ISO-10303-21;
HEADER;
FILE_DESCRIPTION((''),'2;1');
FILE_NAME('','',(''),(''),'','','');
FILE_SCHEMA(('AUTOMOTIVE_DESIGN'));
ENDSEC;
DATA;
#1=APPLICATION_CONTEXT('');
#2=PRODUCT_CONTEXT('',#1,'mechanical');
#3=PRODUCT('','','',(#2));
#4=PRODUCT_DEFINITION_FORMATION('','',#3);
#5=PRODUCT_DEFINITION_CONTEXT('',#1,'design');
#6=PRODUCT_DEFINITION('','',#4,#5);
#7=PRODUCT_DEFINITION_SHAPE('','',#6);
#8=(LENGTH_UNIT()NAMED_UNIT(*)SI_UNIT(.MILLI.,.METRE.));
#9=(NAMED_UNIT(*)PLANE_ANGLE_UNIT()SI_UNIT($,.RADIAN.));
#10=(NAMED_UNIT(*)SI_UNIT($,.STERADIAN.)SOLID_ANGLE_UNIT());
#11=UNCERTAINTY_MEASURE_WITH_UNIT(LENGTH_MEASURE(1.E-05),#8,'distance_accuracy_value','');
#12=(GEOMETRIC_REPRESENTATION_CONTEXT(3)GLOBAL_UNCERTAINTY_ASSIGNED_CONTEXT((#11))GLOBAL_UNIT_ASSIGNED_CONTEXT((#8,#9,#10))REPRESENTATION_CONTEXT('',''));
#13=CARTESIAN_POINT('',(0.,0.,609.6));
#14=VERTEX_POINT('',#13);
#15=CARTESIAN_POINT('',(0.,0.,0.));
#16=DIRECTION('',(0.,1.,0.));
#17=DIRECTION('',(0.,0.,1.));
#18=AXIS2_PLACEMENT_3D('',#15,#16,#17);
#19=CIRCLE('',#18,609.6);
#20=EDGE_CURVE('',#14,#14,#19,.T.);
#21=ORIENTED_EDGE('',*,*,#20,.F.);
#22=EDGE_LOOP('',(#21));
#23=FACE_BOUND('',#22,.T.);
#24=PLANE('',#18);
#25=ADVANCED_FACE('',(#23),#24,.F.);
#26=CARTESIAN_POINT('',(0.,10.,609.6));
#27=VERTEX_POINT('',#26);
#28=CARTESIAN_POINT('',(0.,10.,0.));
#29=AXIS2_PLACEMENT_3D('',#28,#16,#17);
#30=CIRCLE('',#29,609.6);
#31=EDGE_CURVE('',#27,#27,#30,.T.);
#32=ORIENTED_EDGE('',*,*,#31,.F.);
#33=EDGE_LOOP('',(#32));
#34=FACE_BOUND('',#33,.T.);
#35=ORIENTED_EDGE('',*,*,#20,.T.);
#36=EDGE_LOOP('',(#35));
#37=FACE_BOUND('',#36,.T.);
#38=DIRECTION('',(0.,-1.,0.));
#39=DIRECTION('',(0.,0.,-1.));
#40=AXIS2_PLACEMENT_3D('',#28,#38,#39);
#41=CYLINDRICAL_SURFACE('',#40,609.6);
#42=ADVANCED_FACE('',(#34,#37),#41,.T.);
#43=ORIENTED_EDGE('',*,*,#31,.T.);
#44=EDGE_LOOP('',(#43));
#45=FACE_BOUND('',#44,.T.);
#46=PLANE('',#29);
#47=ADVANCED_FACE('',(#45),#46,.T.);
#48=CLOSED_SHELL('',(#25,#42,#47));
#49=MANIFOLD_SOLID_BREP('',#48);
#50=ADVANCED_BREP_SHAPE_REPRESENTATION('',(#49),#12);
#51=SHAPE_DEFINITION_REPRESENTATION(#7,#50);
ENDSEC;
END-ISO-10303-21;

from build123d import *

# Parameters (mm, degrees)
SKETCH1_R           = 609.6
BOSS_EXTRUDE1_DEPTH = 10


with BuildPart() as part:
    # Sketch1 → Boss-Extrude1 (new body)
    with BuildSketch(Plane(origin=(0, 0, 0), x_dir=(1, 0, 0), z_dir=(0, 1, 0))):
        with Locations(Location((0, 0, 0), (0, 0, 270))):
            Circle(SKETCH1_R)
    extrude(amount=BOSS_EXTRUDE1_DEPTH)


solid = part.part
